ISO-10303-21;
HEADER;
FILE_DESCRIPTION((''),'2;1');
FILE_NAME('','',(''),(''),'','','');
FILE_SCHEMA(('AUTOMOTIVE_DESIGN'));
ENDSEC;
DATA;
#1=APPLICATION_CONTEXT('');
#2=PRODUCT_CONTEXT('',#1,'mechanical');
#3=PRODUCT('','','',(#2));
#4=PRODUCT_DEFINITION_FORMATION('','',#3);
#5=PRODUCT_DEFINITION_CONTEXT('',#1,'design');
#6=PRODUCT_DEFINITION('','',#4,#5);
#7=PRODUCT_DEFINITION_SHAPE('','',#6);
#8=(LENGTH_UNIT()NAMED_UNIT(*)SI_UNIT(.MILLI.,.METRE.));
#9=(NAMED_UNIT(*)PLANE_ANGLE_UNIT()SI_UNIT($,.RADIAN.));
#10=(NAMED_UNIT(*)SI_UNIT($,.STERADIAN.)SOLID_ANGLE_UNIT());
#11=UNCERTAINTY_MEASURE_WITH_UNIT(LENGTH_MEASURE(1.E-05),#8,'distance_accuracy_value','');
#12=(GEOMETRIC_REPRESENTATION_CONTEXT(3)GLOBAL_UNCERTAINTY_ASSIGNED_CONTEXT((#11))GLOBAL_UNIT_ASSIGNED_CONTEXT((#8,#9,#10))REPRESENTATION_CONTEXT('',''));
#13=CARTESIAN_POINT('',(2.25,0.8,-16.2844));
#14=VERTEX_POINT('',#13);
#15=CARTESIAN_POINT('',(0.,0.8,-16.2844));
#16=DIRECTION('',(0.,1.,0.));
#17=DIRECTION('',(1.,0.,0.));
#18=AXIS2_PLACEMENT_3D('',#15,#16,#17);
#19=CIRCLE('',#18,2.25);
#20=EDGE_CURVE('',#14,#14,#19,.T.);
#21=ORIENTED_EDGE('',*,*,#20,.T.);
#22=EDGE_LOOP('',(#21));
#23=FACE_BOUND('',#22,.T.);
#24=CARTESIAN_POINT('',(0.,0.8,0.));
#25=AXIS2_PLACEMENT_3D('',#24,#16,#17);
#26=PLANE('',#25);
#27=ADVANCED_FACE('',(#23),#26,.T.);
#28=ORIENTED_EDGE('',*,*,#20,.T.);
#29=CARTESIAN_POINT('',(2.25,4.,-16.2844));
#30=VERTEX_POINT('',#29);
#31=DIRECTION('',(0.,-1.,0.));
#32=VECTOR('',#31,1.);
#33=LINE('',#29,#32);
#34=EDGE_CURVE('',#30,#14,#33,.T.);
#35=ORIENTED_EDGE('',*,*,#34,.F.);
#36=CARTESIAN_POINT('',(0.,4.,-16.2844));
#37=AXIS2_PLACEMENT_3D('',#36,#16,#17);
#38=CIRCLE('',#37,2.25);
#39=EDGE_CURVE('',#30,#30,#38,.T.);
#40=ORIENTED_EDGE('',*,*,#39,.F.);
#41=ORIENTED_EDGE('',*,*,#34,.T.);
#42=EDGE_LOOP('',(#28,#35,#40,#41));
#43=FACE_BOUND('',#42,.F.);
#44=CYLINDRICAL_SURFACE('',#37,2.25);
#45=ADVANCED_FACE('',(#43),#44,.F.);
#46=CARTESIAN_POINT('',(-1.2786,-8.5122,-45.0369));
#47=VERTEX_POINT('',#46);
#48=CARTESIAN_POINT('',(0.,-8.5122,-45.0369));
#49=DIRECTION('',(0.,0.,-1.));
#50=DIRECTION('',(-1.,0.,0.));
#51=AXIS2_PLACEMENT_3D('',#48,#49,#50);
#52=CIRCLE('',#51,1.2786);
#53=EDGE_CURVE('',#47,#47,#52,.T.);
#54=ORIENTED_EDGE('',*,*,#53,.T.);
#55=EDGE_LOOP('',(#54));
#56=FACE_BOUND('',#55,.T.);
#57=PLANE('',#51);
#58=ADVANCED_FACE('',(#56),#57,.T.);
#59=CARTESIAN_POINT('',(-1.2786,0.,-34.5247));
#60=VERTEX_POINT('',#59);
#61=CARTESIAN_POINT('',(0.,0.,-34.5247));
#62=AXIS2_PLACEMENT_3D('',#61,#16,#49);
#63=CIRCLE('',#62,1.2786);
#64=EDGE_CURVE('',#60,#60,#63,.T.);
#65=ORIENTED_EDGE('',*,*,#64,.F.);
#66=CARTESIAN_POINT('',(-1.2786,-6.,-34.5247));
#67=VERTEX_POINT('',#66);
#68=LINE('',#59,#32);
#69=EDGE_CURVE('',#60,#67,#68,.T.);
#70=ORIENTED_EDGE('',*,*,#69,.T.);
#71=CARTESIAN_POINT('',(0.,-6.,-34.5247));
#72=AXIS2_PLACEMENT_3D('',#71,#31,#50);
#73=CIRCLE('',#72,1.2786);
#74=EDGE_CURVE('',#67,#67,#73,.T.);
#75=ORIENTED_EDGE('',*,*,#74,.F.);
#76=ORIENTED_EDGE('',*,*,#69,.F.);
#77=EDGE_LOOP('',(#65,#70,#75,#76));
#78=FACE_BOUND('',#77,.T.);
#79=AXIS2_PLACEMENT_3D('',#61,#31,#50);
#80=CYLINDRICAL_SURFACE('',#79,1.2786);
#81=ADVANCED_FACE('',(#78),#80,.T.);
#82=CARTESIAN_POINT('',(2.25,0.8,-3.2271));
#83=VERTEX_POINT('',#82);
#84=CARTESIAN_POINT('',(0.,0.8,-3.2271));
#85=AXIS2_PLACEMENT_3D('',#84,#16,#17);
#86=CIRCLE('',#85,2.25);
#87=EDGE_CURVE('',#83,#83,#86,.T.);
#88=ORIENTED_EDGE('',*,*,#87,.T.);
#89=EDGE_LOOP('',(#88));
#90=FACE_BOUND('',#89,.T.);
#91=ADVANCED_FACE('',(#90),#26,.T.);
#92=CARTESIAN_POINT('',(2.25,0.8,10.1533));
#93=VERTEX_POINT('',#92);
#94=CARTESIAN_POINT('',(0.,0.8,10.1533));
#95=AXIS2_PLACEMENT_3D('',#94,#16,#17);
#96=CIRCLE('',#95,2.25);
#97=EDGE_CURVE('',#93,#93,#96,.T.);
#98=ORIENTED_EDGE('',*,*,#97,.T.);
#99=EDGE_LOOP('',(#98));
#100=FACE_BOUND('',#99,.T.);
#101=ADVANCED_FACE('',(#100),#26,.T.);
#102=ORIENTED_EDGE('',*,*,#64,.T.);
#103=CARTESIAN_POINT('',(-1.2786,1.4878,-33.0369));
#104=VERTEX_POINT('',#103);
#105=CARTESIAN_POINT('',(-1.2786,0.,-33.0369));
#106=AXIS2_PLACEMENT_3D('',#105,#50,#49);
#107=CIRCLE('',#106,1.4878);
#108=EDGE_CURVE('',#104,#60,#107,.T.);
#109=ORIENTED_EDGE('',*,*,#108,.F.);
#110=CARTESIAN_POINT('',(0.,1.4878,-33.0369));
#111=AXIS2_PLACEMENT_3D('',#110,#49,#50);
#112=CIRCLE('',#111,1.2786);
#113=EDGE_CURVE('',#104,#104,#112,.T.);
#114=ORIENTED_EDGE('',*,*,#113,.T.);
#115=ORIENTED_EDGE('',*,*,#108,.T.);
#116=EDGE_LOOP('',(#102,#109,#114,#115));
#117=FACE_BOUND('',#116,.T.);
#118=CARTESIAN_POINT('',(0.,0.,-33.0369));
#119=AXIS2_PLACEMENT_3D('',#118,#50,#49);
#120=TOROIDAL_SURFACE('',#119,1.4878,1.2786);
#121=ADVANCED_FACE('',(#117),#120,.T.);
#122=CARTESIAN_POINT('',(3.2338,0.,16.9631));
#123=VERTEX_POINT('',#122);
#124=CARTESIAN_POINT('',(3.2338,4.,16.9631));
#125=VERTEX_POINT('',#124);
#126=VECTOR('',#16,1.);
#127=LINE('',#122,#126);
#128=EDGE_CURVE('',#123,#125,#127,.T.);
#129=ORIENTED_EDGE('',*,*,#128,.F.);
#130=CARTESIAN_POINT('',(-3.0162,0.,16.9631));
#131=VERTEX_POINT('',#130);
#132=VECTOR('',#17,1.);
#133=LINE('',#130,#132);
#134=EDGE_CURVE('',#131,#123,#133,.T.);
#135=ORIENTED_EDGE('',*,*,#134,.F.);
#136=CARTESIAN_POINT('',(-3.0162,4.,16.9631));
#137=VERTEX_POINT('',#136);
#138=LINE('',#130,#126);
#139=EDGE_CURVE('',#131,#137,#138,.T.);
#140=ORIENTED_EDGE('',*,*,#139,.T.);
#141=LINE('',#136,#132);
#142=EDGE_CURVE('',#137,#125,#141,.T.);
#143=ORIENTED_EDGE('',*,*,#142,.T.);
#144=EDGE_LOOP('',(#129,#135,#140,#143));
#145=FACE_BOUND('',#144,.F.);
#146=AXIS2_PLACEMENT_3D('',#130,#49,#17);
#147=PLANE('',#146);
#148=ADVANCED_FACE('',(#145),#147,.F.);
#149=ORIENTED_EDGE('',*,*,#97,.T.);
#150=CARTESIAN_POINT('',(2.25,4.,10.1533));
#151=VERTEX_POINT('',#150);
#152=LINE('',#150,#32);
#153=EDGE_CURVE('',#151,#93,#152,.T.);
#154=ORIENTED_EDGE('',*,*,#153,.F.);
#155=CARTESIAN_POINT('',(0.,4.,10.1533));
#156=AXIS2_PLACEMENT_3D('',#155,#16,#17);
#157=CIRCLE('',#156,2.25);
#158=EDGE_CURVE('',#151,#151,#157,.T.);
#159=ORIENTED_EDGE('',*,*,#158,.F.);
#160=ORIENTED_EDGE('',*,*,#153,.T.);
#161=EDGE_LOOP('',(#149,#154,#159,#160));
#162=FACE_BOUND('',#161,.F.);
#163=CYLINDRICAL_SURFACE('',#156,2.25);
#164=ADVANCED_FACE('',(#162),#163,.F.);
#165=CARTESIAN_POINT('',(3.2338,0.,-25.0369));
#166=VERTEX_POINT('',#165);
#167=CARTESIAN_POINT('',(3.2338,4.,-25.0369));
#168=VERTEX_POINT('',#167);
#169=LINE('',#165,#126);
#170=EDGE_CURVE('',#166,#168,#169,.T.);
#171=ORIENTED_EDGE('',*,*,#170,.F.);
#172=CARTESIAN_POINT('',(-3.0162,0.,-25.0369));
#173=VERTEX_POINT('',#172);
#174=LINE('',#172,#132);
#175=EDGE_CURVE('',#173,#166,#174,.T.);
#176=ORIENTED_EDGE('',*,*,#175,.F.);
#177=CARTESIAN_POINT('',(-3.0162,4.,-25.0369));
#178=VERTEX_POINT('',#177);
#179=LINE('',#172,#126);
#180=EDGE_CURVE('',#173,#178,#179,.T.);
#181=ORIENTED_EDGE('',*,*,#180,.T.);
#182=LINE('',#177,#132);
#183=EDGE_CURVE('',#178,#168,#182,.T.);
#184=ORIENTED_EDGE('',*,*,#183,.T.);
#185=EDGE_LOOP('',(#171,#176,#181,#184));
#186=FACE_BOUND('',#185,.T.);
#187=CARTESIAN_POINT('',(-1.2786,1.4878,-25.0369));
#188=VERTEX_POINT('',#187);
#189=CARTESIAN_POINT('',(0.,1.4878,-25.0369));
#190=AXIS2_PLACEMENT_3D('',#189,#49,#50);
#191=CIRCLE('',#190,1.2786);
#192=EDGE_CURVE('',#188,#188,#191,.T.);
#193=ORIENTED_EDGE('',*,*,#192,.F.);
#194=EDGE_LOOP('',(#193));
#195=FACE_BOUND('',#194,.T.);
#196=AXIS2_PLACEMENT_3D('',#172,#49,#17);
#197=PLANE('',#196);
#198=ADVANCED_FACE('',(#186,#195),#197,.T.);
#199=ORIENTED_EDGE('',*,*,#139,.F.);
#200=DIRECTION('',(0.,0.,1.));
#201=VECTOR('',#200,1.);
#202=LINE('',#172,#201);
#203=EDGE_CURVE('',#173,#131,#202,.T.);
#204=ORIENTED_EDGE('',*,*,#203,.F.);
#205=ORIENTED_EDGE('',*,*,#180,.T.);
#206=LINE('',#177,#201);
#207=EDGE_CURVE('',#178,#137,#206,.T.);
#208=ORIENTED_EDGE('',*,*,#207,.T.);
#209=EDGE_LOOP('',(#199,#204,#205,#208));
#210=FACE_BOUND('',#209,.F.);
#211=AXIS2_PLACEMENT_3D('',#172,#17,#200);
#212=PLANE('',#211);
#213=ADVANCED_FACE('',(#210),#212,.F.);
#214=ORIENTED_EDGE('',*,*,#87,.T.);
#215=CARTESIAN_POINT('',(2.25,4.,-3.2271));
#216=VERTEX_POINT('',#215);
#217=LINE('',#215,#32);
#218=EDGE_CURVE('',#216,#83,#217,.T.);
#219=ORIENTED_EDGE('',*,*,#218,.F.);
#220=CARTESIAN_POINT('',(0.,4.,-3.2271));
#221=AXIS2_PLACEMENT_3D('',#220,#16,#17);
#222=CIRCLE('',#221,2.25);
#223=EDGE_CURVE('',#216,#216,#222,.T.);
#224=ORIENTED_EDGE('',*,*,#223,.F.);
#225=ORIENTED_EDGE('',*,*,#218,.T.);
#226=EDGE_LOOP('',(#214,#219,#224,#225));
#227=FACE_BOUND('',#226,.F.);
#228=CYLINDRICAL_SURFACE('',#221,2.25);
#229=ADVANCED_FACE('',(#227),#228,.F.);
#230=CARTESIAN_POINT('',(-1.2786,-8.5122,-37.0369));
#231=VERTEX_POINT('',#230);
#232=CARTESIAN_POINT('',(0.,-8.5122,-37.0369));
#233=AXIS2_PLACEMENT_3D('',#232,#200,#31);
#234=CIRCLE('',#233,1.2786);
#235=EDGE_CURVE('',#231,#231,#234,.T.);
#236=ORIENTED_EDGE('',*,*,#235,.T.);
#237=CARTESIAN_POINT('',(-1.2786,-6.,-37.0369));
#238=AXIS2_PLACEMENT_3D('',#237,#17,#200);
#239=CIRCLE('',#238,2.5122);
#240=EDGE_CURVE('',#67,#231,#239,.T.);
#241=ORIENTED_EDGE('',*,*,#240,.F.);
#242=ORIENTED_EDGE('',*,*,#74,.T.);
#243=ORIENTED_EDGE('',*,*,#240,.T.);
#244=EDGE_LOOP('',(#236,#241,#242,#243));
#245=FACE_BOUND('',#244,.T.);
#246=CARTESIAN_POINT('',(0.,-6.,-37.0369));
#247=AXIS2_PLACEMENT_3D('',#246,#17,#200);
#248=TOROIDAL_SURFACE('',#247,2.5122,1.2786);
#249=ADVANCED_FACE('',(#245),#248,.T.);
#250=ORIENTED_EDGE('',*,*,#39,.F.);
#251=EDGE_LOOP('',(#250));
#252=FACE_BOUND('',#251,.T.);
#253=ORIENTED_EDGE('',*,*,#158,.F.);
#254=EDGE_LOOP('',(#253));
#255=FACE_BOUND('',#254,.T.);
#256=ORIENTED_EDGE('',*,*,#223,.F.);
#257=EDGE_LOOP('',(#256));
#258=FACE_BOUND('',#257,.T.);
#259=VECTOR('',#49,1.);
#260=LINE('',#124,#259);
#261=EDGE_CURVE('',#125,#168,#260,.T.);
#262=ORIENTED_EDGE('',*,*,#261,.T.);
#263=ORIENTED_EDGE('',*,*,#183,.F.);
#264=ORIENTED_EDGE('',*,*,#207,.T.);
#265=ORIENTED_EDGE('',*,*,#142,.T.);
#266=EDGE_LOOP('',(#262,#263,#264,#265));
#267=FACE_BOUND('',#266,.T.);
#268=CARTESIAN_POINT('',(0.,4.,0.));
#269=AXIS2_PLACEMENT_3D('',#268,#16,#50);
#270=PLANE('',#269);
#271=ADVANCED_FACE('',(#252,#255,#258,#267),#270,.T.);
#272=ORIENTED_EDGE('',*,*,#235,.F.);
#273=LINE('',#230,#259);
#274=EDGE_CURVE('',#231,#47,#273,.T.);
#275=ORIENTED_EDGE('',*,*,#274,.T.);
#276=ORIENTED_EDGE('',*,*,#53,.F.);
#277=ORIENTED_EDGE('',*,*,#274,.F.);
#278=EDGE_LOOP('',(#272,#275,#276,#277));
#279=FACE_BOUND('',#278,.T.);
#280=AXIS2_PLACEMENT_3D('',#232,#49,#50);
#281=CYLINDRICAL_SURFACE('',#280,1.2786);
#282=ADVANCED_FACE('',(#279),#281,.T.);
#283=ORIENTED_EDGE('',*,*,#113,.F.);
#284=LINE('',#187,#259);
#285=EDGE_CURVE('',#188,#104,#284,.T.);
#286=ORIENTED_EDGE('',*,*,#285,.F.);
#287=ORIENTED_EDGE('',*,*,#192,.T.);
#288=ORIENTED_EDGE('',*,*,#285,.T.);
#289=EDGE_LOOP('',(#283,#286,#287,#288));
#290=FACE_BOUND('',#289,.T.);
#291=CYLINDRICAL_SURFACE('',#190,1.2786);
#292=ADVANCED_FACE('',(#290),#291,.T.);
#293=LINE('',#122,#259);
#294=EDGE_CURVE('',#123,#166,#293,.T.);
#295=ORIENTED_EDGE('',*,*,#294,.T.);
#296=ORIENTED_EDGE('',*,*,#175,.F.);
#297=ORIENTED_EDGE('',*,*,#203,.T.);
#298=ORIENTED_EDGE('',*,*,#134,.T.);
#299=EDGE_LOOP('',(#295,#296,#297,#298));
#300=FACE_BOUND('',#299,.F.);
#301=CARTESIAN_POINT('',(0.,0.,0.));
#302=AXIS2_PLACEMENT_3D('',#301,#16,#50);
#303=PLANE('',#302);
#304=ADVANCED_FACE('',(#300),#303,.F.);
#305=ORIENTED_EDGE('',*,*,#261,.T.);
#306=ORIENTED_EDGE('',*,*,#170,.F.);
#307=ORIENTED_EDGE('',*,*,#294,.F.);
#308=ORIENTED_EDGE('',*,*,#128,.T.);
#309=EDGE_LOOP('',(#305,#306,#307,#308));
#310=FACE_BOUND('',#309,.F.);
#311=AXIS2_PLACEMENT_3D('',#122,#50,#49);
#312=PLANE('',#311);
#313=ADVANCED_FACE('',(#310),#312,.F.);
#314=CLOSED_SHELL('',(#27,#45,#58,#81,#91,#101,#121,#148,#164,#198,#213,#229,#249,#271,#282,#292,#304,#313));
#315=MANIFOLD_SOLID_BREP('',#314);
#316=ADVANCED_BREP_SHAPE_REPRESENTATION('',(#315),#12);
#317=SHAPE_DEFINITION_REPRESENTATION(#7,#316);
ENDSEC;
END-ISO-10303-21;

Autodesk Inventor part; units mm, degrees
ref_plane "YZ Plane" through (0, 0, 0) normal (1, 0, 0) x (0, 1, 0)
ref_plane "XZ Plane" through (0, 0, 0) normal (0, 1, 0) x (-1, 0, 0)
ref_plane "XY Plane" through (0, 0, 0) normal (0, 0, 1) x (1, 0, 0)
sketch "Sketch1" plane through (0, 0, 0) normal (0, 1, 0) x (-1, 0, 0)
  line L0 (3.0162, -25.0369) -> (-3.2338, -25.0369)
  line L1 (3.0162, -25.0369) -> (3.0162, 16.9631)
  line L2 (3.0162, 16.9631) -> (-3.2338, 16.9631)
  line L3 (-3.2338, 16.9631) -> (-3.2338, -25.0369)
  point P0 (0, 0)
  dimension "d1" = 6.25
  dimension "d3" = 42
extrude "Extrusion1" add sketch "Sketch1" along normal blind 4
sketch "Sketch10" plane through (3.2338, 0, -25.0369) normal (0, 0, -1) x (-1, 0, 0)
  circle A0 centre (3.2338, 1.4878) radius 1.2786
  point P0 (3.2338, 0)
sketch "Sketch12" plane through (0, 0, 0) normal (1, 0, 0) x (0, 1, 0)
  line L0 (0, -25.0369) -> (4, -25.0369) projected
  line L1 (2, -25.0369) -> (2, -33.0369)
  line L2 (0, -35.0369) -> (-6, -35.0369)
  line L3 (-8, -37.0369) -> (-8, -45.0369)
  arc A0 (0, -35.0369) -> (2, -33.0369) centre (0, -33.0369) ccw
  arc A1 (-6, -35.0369) -> (-8, -37.0369) centre (-6, -37.0369) ccw
  point P0 (0, 0)
  point P1 (2, -35.0369)
  point P2 (-8, -35.0369)
  dimension "d15" = 10
  dimension "d16" = 10
  dimension "d17" = 10
  dimension "d18" = 2
sweep "Sweep1" add profiles "Sketch10" path "Sketch12" path curves L1 A0 L2 A1 L3
sketch "Sketch14" plane through (0, 4, 0) normal (0, 1, 0) x (1, 0, 0)
  circle A0 centre (0, 3.2271) radius 2.25
  circle A1 centre (0, 16.2844) radius 2.25
  circle A2 centre (0, -10.1533) radius 2.25
  point P0 (0, 0)
  dimension "d29" = 4.5
  dimension "d30" = 4.5
  dimension "d31" = 4.5
extrude "Extrusion5" cut sketch "Sketch14" against normal blind 3.2
properties part number "Slits"
